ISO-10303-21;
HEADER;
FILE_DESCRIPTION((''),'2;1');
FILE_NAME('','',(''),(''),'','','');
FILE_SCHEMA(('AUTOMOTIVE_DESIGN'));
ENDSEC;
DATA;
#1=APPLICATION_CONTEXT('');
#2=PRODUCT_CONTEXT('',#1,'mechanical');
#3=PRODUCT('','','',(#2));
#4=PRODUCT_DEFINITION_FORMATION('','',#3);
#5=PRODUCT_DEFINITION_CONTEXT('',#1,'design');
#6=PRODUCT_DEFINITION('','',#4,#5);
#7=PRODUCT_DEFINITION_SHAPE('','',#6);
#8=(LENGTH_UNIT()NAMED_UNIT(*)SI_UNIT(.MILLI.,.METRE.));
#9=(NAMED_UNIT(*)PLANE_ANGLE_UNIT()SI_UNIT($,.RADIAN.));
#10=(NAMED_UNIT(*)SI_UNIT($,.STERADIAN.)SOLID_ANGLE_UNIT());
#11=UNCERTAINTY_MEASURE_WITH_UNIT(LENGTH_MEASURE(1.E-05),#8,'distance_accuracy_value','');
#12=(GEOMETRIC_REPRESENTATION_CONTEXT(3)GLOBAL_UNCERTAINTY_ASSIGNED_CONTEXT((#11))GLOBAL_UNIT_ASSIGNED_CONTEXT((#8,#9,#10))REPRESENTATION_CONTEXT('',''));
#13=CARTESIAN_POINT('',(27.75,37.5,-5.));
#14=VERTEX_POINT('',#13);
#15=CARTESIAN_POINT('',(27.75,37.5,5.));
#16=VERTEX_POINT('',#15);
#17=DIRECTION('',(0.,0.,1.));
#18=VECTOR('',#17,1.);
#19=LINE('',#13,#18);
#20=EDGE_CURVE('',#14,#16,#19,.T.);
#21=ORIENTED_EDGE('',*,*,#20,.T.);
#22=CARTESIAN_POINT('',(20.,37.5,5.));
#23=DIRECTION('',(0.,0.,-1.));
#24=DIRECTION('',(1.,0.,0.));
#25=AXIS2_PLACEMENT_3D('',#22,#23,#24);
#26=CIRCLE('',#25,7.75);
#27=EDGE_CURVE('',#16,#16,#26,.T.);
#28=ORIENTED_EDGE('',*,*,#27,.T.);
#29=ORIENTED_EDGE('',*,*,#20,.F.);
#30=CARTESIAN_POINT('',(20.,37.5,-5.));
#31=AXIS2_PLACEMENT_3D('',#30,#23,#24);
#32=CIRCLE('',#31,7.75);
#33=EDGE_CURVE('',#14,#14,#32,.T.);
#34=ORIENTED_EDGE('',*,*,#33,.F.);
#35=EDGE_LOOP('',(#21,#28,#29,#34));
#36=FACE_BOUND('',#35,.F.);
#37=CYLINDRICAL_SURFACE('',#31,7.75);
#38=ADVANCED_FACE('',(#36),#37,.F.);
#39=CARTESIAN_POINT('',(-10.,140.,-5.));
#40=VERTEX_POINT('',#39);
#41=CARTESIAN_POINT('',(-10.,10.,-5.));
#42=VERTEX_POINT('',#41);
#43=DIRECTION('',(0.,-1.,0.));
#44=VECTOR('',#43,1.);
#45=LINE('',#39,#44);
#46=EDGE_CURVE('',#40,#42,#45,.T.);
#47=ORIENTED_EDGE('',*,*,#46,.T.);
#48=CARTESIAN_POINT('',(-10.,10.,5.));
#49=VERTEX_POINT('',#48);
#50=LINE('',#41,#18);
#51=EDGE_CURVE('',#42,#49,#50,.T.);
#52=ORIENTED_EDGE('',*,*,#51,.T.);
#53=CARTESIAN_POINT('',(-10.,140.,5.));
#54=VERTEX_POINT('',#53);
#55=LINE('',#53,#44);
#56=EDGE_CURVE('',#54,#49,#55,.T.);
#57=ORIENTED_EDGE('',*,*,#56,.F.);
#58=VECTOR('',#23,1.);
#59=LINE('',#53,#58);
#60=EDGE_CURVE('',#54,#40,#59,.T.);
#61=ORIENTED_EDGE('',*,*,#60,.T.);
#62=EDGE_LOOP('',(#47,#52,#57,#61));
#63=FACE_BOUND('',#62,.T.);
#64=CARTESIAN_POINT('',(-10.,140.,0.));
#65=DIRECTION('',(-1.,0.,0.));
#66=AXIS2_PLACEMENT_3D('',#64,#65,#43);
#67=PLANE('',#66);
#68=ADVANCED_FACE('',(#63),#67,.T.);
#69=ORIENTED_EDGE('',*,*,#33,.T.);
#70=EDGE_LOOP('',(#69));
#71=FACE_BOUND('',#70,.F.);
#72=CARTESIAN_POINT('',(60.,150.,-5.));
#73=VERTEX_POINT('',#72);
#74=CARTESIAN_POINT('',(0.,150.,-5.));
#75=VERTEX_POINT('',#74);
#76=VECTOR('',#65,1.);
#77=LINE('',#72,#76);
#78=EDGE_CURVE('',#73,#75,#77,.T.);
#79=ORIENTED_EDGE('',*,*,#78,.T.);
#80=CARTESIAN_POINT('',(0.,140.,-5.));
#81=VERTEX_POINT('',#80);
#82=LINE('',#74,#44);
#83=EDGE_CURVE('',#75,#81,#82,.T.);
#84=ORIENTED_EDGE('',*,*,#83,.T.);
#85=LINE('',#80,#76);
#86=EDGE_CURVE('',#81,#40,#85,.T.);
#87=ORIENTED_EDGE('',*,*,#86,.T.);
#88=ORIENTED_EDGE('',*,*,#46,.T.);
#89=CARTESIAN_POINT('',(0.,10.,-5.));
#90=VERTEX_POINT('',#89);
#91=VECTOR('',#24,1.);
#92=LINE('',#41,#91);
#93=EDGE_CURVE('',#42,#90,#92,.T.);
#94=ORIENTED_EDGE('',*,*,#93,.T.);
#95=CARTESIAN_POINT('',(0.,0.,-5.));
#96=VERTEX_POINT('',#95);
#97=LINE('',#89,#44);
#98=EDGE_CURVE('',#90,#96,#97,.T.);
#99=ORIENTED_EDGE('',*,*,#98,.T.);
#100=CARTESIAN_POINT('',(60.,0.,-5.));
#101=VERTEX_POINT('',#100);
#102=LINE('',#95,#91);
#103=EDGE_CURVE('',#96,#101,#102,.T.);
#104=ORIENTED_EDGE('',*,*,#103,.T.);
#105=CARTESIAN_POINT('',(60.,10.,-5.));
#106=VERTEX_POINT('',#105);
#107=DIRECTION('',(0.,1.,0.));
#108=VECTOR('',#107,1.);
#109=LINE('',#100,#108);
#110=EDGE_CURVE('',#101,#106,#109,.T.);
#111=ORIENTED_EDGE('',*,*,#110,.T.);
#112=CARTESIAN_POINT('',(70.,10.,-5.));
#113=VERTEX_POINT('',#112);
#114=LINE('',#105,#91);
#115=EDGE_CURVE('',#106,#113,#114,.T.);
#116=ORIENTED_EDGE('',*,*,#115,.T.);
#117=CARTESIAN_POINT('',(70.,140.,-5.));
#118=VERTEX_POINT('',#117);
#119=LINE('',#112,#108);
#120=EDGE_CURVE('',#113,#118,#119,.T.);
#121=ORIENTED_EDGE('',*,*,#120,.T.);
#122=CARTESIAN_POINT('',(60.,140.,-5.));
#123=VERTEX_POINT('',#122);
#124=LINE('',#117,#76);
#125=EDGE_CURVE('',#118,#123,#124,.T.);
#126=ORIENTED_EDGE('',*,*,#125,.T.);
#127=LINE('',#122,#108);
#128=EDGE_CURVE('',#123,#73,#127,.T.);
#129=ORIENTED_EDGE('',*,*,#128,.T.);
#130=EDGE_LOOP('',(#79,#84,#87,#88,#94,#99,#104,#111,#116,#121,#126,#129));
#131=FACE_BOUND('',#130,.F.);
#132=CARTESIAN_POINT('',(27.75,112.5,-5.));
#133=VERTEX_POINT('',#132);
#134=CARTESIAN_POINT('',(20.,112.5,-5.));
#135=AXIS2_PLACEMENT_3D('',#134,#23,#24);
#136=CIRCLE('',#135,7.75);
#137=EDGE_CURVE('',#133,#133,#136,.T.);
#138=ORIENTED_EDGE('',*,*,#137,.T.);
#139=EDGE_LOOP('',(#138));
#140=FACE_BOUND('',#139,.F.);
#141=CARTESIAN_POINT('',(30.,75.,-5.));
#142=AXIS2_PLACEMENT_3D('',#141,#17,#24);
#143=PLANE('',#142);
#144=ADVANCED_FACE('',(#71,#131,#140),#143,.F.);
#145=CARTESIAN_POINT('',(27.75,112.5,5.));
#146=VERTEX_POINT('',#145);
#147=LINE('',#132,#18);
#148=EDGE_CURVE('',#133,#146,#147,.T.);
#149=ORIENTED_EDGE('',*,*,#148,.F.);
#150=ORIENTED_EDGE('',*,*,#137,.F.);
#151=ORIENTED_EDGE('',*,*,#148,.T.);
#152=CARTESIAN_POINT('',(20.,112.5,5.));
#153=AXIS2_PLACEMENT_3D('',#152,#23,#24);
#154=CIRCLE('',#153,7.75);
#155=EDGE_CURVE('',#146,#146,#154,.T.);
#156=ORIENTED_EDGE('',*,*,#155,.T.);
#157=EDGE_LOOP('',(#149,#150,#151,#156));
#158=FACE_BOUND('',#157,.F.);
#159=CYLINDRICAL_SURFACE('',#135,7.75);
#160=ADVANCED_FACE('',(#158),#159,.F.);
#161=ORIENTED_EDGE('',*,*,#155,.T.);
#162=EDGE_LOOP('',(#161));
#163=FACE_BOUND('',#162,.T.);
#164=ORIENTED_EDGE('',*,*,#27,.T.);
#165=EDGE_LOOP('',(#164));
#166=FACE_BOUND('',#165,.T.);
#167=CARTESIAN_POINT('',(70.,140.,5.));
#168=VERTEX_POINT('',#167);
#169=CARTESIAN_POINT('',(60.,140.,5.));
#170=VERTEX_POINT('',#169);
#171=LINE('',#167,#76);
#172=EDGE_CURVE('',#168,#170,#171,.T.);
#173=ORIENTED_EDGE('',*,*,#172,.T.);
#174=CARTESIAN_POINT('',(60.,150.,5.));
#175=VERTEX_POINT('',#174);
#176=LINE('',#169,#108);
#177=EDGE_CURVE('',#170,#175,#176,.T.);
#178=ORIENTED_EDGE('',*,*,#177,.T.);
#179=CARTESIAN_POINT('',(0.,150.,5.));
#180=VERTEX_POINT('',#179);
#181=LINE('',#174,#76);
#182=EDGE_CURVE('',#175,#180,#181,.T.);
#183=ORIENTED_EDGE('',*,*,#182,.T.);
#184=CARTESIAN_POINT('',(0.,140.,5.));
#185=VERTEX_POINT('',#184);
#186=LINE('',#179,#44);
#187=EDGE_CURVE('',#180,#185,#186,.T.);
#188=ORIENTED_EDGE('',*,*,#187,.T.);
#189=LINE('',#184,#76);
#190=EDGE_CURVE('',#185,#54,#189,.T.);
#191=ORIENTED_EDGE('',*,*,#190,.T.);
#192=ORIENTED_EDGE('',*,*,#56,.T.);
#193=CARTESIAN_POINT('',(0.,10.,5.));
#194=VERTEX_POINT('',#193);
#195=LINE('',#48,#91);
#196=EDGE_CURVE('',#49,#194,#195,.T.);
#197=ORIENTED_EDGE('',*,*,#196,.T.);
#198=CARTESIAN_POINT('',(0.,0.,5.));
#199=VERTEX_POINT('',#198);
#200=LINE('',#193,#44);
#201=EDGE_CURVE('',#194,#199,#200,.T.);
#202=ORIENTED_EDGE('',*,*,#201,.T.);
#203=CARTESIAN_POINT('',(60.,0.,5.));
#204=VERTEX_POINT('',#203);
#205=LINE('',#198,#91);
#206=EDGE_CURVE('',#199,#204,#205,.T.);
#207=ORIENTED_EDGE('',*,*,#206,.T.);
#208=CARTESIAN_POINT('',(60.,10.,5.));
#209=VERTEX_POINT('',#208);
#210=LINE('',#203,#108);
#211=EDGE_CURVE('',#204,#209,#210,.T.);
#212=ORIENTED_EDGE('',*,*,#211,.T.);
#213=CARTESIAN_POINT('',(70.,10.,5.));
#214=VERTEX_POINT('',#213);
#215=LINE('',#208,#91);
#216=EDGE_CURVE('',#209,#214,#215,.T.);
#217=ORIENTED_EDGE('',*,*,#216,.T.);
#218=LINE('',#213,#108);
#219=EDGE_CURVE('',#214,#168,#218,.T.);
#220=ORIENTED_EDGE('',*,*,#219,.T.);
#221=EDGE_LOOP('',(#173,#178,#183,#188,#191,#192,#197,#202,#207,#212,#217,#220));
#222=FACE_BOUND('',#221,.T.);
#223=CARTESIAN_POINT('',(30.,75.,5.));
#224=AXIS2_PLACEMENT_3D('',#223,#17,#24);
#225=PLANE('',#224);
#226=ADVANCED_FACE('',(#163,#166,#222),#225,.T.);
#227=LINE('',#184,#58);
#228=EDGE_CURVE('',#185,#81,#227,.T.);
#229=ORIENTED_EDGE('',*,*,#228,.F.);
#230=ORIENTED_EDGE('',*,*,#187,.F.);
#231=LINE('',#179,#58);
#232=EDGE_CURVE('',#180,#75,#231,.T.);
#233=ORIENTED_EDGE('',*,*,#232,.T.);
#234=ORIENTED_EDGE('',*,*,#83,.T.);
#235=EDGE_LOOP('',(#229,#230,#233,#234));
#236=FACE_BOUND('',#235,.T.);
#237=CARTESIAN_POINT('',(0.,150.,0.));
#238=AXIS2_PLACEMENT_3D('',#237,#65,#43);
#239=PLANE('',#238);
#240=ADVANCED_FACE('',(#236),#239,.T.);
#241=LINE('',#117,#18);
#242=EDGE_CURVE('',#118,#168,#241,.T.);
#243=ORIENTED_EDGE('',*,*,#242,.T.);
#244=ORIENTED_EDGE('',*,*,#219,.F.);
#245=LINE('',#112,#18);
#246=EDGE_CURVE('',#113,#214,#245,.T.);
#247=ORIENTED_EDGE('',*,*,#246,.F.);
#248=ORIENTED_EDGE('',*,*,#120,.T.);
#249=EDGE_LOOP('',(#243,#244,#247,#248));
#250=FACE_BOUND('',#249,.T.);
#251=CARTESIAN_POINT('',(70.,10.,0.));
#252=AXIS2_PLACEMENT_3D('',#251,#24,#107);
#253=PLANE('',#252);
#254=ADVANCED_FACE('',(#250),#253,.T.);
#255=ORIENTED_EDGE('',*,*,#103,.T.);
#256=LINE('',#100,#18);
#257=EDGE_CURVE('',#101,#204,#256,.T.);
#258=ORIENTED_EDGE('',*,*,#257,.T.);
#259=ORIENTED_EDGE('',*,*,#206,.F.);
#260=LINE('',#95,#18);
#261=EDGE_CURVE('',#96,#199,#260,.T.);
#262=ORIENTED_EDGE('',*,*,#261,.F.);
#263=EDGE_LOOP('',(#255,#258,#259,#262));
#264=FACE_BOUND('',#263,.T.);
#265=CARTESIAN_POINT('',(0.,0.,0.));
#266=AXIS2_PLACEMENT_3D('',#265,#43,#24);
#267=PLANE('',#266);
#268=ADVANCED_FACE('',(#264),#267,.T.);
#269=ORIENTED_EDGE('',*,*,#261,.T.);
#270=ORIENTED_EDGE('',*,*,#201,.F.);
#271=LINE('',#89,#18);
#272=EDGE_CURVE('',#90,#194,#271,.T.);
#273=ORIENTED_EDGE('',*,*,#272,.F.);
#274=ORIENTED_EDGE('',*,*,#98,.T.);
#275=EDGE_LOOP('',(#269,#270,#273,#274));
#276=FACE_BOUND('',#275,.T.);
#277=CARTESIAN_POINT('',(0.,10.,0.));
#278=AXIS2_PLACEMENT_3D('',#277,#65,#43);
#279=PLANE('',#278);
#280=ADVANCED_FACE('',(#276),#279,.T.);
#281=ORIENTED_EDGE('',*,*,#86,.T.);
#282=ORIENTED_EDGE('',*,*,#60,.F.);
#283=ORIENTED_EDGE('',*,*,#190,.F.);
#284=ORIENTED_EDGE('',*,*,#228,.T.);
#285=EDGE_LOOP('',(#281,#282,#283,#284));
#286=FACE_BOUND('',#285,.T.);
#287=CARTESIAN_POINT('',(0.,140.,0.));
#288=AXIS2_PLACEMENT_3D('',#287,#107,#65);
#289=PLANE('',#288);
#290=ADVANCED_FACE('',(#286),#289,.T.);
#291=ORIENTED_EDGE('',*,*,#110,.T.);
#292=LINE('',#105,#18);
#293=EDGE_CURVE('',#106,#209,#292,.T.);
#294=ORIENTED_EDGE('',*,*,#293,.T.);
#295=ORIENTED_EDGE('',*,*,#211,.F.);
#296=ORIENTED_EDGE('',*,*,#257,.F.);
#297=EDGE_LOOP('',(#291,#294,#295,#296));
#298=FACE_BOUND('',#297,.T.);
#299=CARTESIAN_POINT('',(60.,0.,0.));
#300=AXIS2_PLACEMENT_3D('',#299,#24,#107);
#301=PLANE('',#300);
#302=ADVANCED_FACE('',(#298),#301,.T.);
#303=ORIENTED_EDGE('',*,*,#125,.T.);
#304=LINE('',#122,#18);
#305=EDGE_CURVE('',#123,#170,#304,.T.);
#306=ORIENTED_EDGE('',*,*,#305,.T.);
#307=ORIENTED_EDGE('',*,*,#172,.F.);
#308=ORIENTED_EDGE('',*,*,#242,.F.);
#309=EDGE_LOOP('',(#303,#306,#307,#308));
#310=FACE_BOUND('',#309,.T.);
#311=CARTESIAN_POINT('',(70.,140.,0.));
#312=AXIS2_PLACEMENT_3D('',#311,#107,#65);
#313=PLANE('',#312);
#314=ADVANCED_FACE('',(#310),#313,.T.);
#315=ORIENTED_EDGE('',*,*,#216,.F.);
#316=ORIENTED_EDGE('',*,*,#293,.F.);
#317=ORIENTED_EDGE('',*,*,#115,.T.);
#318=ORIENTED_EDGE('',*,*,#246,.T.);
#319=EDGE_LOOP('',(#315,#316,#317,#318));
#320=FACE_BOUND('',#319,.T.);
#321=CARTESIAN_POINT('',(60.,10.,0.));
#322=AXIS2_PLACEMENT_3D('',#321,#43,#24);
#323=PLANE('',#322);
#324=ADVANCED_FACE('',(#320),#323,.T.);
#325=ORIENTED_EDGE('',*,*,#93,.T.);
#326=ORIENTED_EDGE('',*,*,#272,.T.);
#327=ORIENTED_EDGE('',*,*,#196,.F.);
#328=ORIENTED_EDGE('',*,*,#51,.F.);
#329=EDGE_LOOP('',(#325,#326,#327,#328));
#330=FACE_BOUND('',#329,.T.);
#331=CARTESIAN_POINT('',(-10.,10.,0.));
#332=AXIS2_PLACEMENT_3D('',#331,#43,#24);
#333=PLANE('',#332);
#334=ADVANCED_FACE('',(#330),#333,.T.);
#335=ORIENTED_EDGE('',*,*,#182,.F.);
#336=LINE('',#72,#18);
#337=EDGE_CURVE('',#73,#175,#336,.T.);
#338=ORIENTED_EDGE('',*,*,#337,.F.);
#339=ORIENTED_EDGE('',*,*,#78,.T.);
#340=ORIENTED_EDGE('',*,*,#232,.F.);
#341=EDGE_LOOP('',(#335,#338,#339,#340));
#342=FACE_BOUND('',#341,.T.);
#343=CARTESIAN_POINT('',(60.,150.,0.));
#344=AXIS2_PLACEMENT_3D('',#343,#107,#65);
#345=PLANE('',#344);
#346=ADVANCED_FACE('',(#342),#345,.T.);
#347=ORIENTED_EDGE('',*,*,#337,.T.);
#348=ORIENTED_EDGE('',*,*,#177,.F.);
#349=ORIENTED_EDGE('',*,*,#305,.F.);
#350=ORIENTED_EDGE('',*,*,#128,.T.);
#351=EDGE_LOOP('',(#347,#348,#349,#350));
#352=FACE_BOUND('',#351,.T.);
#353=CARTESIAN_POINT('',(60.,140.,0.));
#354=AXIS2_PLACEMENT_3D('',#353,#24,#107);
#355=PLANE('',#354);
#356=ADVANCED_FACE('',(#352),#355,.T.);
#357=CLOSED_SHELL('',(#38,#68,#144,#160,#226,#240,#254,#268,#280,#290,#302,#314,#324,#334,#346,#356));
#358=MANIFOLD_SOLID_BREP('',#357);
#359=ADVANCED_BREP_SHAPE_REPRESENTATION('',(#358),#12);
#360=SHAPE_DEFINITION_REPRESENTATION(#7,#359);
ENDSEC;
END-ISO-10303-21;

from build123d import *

# Parameters (mm, degrees)
PAD_DEPTH    = 5
SKETCH001_R  = 7.75
POCKET_DEPTH = 10.001


with BuildPart() as part:
    # Sketch → Pad (new body, symmetric)
    with BuildSketch(Plane.XY):
        Polygon((-10, 140), (-10, 10), (0, 10), (0, 0), (60, 0), (60, 10), (70, 10), (70, 140), (60, 140), (60, 150), (0, 150), (0, 140), align=None)
    extrude(amount=PAD_DEPTH, both=True)

    # Sketch001 (on Face13 of Pad) → Pocket (cut, through all)
    with BuildSketch(Plane(origin=(0, 0, -5), x_dir=(1, 0, 0), z_dir=(0, 0, -1))):
        with Locations((20, -37.5)):
            Circle(SKETCH001_R)
        with Locations((20, -112.5)):
            Circle(SKETCH001_R)
    extrude(amount=-POCKET_DEPTH, mode=Mode.SUBTRACT)


solid = part.part
